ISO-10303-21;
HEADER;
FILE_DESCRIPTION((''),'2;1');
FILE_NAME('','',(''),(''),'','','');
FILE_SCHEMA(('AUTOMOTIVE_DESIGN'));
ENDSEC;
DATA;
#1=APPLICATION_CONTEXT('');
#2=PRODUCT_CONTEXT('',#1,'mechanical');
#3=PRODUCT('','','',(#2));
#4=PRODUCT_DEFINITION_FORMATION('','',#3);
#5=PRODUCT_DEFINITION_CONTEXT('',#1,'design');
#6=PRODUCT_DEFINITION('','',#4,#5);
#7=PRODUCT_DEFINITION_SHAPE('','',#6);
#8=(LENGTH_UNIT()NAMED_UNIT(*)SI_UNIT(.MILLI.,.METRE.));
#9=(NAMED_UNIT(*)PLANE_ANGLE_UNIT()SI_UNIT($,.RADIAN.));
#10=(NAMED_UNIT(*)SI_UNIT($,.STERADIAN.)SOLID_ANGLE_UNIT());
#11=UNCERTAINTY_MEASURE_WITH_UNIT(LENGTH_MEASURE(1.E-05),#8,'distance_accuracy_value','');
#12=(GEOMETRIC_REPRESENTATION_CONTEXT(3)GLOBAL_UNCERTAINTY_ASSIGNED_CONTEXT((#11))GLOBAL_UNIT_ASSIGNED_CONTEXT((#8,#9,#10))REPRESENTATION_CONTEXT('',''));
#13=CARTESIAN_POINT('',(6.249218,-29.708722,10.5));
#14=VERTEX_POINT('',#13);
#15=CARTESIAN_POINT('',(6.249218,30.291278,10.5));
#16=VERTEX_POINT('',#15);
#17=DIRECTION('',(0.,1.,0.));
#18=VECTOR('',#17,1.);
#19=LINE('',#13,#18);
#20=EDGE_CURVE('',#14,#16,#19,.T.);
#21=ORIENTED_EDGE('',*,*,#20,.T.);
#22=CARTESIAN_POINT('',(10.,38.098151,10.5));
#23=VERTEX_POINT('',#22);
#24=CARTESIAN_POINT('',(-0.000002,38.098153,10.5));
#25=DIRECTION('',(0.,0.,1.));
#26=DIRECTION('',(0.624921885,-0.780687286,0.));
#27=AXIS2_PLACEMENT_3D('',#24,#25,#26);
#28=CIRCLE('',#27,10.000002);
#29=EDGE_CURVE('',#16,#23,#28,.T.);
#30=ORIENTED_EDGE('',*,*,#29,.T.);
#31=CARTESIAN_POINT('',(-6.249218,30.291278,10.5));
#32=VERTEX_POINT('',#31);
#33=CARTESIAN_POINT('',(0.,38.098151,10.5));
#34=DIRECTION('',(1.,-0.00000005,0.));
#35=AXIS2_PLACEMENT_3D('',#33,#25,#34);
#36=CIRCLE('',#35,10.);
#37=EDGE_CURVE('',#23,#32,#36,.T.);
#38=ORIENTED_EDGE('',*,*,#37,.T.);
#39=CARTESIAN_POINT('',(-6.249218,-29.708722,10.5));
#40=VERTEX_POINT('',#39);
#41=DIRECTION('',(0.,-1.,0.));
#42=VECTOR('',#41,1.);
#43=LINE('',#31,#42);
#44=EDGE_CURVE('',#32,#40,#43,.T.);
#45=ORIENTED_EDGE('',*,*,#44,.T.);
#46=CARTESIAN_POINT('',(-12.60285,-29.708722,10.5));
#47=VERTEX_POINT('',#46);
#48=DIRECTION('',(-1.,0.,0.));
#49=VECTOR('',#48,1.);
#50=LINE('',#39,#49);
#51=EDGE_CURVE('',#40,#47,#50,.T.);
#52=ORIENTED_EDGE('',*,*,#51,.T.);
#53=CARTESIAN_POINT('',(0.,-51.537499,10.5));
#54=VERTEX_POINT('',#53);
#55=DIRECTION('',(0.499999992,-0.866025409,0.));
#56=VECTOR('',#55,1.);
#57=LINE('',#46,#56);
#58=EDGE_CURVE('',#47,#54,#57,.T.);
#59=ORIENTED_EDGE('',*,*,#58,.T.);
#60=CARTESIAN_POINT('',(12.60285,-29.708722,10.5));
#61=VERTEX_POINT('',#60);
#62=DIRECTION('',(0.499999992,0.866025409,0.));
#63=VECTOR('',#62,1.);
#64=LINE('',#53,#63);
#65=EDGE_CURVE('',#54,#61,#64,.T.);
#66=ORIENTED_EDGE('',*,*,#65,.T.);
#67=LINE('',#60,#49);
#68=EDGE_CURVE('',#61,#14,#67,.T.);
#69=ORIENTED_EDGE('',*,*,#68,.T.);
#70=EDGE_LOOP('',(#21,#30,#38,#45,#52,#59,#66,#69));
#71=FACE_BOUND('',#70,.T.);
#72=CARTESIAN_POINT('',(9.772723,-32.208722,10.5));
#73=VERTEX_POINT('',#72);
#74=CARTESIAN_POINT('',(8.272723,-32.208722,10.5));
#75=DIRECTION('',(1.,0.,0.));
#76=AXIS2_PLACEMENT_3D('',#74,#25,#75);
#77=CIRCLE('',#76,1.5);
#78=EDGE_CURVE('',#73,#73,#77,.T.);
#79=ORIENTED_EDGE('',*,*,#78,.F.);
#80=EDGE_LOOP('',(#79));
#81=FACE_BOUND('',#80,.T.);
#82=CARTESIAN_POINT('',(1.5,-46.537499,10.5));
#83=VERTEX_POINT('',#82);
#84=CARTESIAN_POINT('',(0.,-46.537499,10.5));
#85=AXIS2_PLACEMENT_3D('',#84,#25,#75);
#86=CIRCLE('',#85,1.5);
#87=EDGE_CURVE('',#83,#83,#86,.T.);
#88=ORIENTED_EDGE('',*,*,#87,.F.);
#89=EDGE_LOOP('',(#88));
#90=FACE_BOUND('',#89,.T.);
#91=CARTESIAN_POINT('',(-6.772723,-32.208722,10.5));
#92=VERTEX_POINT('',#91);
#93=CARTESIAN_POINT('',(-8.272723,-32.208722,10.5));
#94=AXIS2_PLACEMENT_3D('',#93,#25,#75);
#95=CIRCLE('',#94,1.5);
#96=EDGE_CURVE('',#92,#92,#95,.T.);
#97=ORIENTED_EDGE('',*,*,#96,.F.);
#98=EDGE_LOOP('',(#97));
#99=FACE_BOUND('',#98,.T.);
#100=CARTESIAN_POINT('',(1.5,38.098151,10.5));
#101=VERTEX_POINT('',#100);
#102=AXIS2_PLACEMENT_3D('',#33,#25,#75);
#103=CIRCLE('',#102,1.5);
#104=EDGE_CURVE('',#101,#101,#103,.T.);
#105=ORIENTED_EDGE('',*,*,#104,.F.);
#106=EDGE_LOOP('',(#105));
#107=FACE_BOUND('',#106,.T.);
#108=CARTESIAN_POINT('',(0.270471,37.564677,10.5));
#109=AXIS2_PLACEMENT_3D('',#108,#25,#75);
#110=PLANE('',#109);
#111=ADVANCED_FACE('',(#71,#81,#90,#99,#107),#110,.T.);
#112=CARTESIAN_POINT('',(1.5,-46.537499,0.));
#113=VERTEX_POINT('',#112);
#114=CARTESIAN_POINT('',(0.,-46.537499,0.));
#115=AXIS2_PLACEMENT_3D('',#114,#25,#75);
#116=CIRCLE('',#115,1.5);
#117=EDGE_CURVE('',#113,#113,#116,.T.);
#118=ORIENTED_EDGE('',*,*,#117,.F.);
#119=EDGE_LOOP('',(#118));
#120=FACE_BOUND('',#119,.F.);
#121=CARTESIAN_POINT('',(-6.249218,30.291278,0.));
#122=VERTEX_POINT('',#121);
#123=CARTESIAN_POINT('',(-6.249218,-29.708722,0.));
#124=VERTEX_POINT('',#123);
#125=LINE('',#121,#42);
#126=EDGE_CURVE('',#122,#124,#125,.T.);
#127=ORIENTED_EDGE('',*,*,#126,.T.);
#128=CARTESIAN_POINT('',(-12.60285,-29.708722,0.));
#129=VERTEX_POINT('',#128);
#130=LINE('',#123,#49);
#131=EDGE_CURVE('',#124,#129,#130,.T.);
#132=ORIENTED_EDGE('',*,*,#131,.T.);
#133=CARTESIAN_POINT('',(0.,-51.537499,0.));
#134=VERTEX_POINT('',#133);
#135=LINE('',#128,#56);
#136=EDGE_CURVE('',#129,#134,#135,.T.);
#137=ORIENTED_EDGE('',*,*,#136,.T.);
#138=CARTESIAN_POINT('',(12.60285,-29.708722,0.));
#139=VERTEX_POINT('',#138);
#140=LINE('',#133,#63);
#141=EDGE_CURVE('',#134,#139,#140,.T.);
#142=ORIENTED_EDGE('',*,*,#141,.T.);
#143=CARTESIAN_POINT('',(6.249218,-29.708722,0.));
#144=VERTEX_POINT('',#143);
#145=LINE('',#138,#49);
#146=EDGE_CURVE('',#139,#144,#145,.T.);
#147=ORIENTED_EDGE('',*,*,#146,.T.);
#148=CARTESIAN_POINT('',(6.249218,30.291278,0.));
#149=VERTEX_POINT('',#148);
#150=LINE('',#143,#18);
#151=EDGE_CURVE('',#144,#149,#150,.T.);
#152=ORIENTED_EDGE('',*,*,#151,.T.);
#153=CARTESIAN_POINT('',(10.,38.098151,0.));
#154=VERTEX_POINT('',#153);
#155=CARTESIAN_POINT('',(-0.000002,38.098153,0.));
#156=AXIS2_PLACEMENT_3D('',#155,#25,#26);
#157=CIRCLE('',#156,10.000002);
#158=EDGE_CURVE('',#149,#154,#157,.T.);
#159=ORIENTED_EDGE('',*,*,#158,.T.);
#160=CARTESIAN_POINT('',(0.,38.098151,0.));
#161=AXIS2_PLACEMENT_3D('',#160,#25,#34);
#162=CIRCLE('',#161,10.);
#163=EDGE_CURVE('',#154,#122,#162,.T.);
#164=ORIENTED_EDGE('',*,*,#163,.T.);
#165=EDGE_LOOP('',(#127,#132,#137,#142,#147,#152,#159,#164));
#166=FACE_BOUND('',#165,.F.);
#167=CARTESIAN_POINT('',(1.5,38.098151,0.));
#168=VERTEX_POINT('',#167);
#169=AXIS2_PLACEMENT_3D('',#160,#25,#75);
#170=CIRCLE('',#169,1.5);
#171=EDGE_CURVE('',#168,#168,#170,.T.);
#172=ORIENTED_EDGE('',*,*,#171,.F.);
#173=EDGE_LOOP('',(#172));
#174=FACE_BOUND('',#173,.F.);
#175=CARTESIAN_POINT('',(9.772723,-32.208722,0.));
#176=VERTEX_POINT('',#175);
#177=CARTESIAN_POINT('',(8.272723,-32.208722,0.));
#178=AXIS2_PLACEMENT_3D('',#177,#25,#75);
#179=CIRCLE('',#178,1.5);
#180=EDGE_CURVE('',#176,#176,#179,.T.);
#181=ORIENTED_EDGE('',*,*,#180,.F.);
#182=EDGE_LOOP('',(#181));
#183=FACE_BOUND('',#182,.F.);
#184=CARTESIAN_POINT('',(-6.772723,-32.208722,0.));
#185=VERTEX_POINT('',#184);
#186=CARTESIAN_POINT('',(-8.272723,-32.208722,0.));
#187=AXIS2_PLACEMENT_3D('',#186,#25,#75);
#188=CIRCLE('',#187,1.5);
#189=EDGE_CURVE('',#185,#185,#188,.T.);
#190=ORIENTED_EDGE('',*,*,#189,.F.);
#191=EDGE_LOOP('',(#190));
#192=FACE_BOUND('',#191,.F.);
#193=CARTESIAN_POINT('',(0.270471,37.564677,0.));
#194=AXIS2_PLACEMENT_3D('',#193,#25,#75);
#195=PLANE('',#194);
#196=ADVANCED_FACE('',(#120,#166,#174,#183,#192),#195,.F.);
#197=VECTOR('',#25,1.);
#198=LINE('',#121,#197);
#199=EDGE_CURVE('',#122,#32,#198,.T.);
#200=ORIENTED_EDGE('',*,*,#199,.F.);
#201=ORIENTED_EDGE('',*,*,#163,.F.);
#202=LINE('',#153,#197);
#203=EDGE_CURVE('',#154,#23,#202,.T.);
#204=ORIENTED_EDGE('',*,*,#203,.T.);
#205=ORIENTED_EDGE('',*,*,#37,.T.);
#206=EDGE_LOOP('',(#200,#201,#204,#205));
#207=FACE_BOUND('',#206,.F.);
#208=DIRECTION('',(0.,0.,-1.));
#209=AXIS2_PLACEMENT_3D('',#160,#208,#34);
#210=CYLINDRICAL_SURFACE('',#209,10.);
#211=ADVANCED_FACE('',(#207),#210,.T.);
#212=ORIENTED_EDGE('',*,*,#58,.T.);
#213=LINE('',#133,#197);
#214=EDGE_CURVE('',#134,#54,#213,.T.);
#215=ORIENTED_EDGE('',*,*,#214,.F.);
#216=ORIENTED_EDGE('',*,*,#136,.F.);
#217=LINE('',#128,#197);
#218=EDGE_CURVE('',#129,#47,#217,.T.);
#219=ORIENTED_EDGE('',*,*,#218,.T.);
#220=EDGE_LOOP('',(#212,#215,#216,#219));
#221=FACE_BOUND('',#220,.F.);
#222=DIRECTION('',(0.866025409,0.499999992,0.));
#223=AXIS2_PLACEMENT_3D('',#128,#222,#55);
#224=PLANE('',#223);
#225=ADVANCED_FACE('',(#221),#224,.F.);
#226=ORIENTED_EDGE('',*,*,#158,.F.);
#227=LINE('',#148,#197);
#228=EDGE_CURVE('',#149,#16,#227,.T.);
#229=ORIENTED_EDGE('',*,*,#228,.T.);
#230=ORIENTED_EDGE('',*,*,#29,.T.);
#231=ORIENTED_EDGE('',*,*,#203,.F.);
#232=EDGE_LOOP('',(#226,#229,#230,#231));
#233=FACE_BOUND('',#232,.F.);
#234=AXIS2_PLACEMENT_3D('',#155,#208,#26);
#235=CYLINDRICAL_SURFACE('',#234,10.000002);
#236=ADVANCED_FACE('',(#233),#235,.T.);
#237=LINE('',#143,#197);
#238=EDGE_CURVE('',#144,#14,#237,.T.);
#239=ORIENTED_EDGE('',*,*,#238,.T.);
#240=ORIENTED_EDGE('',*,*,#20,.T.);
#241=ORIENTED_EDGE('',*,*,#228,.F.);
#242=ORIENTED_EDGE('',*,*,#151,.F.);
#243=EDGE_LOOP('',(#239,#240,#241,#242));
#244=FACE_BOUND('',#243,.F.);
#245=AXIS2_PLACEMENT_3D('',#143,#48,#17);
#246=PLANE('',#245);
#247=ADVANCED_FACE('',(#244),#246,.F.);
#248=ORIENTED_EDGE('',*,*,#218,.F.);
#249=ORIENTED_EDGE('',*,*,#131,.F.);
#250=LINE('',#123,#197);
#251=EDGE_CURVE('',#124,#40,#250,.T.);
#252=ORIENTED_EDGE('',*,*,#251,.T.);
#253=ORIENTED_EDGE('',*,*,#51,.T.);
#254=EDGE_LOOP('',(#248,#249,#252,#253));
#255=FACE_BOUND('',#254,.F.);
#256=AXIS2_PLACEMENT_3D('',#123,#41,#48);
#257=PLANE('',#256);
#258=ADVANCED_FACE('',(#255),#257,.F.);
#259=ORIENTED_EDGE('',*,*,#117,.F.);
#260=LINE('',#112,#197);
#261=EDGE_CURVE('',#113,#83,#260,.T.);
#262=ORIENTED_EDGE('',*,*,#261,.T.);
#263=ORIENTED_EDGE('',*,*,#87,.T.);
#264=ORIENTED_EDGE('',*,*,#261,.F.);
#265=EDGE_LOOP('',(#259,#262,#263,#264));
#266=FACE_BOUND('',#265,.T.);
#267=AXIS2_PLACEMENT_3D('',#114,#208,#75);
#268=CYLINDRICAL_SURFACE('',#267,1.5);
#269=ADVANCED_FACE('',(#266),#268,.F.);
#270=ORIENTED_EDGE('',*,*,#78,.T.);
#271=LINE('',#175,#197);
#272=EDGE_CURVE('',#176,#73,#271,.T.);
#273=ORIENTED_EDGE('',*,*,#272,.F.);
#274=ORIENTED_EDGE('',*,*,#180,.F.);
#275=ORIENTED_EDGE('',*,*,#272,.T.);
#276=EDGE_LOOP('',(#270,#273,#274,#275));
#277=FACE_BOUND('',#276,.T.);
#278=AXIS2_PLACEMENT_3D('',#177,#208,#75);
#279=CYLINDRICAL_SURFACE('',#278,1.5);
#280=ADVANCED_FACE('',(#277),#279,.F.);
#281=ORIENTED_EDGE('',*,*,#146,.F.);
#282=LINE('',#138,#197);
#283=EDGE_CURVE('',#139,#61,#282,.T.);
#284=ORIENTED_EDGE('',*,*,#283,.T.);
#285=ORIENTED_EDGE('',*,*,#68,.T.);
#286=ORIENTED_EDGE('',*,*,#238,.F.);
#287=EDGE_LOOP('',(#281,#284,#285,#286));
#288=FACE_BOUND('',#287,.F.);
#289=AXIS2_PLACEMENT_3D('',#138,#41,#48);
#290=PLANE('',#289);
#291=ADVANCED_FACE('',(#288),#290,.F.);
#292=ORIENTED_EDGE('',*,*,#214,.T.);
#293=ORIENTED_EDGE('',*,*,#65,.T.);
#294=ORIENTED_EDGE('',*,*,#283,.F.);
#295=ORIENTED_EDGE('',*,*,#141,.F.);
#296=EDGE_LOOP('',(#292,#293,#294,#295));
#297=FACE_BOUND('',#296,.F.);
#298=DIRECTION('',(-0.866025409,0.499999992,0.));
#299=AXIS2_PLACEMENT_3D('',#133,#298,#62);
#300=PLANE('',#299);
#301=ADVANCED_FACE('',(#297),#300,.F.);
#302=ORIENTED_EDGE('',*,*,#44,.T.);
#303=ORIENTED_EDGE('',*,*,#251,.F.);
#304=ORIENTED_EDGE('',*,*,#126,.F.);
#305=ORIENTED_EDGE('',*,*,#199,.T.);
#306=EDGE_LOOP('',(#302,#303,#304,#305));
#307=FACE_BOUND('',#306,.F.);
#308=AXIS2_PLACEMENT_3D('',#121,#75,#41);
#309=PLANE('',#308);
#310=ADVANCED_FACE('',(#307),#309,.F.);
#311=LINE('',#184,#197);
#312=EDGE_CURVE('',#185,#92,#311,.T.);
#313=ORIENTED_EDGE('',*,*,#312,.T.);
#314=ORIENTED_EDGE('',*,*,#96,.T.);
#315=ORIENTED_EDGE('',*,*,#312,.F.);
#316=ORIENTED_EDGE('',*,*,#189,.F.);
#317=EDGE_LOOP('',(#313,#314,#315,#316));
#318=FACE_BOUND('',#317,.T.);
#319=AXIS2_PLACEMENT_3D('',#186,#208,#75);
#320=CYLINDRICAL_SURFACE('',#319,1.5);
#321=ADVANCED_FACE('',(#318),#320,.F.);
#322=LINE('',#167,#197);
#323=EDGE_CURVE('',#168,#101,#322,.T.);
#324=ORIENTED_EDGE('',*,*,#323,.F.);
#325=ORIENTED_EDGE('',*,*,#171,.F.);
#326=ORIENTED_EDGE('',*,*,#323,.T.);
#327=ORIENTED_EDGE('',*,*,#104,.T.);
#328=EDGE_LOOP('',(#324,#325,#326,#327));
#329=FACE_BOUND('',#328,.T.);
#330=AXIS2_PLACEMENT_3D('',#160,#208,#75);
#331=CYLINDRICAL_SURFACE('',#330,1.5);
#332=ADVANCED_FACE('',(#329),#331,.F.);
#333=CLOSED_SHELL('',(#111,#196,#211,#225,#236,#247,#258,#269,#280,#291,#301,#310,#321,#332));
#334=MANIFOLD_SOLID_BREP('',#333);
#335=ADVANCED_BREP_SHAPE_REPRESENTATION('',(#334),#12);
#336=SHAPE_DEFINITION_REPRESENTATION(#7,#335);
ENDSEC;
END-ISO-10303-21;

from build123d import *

# Parameters (mm, degrees)
F0_R     = 1.5
F1_DEPTH = 10.5


with BuildPart() as f1:
    # F0 (on Top) → F1 (new body)
    with BuildSketch(Plane.XY):
        with BuildLine():
            ThreePointArc((6.249218, 30.291278), (9.013661, 33.767573), (10, 38.098151))
            ThreePointArc((10, 38.098151), (-4.330578, 47.111813), (-6.249218, 30.291278))
            ThreePointArc((-6.249218, 30.291278), (0, 28.098151), (6.249218, 30.291278))
        make_face()
        with Locations((0, 38.098151)):
            Circle(F0_R, mode=Mode.SUBTRACT)
        with BuildLine():
            ThreePointArc((6.249218, 30.291278), (0, 28.098151), (-6.249218, 30.291278))
            Line((-6.249218, 30.291278), (-6.249218, -29.708722))
            Line((-6.249218, -29.708722), (6.249218, -29.708722))
            Line((6.249218, -29.708722), (6.249218, 30.291278))
        make_face()
        Polygon((6.249218, -29.708722), (-6.249218, -29.708722), (-12.60285, -29.708722), (0, -51.537499), (12.60285, -29.708722), align=None)
        with Locations((-8.272723, -32.208722)):
            Circle(F0_R, mode=Mode.SUBTRACT)
        with Locations((0, -46.537499)):
            Circle(F0_R, mode=Mode.SUBTRACT)
        with Locations((8.272723, -32.208722)):
            Circle(F0_R, mode=Mode.SUBTRACT)
    extrude(amount=F1_DEPTH)


solid = f1.part
